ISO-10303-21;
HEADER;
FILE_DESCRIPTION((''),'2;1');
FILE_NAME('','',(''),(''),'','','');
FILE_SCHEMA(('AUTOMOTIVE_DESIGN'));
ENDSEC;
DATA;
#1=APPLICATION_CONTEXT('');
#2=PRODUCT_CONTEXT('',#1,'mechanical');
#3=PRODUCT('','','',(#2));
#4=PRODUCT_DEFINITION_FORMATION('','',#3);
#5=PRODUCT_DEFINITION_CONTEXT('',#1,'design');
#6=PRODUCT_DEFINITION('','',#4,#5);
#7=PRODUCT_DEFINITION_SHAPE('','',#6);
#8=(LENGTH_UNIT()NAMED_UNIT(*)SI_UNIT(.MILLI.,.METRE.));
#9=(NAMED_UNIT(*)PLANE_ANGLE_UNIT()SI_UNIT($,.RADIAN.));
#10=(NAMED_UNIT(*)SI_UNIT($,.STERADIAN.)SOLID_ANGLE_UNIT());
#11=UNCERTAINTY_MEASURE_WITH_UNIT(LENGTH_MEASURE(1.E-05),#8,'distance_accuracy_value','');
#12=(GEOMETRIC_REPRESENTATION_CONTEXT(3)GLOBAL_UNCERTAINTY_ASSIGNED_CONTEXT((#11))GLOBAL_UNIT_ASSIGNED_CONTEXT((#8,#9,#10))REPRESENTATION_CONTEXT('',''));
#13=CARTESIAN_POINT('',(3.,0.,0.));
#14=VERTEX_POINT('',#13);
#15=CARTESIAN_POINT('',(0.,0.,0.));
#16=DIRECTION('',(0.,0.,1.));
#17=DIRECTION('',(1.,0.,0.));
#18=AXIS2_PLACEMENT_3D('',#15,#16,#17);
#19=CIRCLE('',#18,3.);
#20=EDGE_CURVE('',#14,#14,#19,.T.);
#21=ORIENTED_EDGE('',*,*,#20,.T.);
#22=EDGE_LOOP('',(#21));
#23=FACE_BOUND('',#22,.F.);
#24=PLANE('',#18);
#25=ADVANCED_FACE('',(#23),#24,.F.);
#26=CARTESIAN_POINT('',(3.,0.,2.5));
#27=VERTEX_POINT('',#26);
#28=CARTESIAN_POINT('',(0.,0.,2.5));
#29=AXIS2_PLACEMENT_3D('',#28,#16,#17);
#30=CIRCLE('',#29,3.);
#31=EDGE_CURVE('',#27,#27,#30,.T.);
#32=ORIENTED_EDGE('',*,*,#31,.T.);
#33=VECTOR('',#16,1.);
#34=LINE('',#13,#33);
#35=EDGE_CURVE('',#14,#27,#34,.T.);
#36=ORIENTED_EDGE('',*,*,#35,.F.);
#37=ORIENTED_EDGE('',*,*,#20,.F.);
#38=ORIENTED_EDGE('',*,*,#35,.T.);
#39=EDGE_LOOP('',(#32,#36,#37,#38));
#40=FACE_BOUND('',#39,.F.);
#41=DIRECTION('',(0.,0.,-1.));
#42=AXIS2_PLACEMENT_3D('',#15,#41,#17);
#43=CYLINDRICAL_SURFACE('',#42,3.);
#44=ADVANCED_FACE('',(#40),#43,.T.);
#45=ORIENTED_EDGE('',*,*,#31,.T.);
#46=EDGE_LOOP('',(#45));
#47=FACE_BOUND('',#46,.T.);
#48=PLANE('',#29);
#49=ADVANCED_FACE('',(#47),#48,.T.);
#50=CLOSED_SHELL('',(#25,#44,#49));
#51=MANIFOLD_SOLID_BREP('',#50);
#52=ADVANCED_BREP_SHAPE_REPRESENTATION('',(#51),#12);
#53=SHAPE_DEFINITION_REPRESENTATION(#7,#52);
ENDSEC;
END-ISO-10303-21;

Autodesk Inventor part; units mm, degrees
ref_plane "YZ Plane" through (0, 0, 0) normal (1, 0, 0) x (0, 1, 0)
ref_plane "XZ Plane" through (0, 0, 0) normal (0, 1, 0) x (-1, 0, 0)
ref_plane "XY Plane" through (0, 0, 0) normal (0, 0, 1) x (1, 0, 0)
sketch "Sketch1" plane through (0, 0, 0) normal (0, 0, 1) x (1, 0, 0)
  circle A0 centre (0, 0) radius 3
  dimension "d0" = 6
extrude "Extrusion1" add sketch "Sketch1" along normal blind 2.5
properties part number "magnet_6_2.5"
